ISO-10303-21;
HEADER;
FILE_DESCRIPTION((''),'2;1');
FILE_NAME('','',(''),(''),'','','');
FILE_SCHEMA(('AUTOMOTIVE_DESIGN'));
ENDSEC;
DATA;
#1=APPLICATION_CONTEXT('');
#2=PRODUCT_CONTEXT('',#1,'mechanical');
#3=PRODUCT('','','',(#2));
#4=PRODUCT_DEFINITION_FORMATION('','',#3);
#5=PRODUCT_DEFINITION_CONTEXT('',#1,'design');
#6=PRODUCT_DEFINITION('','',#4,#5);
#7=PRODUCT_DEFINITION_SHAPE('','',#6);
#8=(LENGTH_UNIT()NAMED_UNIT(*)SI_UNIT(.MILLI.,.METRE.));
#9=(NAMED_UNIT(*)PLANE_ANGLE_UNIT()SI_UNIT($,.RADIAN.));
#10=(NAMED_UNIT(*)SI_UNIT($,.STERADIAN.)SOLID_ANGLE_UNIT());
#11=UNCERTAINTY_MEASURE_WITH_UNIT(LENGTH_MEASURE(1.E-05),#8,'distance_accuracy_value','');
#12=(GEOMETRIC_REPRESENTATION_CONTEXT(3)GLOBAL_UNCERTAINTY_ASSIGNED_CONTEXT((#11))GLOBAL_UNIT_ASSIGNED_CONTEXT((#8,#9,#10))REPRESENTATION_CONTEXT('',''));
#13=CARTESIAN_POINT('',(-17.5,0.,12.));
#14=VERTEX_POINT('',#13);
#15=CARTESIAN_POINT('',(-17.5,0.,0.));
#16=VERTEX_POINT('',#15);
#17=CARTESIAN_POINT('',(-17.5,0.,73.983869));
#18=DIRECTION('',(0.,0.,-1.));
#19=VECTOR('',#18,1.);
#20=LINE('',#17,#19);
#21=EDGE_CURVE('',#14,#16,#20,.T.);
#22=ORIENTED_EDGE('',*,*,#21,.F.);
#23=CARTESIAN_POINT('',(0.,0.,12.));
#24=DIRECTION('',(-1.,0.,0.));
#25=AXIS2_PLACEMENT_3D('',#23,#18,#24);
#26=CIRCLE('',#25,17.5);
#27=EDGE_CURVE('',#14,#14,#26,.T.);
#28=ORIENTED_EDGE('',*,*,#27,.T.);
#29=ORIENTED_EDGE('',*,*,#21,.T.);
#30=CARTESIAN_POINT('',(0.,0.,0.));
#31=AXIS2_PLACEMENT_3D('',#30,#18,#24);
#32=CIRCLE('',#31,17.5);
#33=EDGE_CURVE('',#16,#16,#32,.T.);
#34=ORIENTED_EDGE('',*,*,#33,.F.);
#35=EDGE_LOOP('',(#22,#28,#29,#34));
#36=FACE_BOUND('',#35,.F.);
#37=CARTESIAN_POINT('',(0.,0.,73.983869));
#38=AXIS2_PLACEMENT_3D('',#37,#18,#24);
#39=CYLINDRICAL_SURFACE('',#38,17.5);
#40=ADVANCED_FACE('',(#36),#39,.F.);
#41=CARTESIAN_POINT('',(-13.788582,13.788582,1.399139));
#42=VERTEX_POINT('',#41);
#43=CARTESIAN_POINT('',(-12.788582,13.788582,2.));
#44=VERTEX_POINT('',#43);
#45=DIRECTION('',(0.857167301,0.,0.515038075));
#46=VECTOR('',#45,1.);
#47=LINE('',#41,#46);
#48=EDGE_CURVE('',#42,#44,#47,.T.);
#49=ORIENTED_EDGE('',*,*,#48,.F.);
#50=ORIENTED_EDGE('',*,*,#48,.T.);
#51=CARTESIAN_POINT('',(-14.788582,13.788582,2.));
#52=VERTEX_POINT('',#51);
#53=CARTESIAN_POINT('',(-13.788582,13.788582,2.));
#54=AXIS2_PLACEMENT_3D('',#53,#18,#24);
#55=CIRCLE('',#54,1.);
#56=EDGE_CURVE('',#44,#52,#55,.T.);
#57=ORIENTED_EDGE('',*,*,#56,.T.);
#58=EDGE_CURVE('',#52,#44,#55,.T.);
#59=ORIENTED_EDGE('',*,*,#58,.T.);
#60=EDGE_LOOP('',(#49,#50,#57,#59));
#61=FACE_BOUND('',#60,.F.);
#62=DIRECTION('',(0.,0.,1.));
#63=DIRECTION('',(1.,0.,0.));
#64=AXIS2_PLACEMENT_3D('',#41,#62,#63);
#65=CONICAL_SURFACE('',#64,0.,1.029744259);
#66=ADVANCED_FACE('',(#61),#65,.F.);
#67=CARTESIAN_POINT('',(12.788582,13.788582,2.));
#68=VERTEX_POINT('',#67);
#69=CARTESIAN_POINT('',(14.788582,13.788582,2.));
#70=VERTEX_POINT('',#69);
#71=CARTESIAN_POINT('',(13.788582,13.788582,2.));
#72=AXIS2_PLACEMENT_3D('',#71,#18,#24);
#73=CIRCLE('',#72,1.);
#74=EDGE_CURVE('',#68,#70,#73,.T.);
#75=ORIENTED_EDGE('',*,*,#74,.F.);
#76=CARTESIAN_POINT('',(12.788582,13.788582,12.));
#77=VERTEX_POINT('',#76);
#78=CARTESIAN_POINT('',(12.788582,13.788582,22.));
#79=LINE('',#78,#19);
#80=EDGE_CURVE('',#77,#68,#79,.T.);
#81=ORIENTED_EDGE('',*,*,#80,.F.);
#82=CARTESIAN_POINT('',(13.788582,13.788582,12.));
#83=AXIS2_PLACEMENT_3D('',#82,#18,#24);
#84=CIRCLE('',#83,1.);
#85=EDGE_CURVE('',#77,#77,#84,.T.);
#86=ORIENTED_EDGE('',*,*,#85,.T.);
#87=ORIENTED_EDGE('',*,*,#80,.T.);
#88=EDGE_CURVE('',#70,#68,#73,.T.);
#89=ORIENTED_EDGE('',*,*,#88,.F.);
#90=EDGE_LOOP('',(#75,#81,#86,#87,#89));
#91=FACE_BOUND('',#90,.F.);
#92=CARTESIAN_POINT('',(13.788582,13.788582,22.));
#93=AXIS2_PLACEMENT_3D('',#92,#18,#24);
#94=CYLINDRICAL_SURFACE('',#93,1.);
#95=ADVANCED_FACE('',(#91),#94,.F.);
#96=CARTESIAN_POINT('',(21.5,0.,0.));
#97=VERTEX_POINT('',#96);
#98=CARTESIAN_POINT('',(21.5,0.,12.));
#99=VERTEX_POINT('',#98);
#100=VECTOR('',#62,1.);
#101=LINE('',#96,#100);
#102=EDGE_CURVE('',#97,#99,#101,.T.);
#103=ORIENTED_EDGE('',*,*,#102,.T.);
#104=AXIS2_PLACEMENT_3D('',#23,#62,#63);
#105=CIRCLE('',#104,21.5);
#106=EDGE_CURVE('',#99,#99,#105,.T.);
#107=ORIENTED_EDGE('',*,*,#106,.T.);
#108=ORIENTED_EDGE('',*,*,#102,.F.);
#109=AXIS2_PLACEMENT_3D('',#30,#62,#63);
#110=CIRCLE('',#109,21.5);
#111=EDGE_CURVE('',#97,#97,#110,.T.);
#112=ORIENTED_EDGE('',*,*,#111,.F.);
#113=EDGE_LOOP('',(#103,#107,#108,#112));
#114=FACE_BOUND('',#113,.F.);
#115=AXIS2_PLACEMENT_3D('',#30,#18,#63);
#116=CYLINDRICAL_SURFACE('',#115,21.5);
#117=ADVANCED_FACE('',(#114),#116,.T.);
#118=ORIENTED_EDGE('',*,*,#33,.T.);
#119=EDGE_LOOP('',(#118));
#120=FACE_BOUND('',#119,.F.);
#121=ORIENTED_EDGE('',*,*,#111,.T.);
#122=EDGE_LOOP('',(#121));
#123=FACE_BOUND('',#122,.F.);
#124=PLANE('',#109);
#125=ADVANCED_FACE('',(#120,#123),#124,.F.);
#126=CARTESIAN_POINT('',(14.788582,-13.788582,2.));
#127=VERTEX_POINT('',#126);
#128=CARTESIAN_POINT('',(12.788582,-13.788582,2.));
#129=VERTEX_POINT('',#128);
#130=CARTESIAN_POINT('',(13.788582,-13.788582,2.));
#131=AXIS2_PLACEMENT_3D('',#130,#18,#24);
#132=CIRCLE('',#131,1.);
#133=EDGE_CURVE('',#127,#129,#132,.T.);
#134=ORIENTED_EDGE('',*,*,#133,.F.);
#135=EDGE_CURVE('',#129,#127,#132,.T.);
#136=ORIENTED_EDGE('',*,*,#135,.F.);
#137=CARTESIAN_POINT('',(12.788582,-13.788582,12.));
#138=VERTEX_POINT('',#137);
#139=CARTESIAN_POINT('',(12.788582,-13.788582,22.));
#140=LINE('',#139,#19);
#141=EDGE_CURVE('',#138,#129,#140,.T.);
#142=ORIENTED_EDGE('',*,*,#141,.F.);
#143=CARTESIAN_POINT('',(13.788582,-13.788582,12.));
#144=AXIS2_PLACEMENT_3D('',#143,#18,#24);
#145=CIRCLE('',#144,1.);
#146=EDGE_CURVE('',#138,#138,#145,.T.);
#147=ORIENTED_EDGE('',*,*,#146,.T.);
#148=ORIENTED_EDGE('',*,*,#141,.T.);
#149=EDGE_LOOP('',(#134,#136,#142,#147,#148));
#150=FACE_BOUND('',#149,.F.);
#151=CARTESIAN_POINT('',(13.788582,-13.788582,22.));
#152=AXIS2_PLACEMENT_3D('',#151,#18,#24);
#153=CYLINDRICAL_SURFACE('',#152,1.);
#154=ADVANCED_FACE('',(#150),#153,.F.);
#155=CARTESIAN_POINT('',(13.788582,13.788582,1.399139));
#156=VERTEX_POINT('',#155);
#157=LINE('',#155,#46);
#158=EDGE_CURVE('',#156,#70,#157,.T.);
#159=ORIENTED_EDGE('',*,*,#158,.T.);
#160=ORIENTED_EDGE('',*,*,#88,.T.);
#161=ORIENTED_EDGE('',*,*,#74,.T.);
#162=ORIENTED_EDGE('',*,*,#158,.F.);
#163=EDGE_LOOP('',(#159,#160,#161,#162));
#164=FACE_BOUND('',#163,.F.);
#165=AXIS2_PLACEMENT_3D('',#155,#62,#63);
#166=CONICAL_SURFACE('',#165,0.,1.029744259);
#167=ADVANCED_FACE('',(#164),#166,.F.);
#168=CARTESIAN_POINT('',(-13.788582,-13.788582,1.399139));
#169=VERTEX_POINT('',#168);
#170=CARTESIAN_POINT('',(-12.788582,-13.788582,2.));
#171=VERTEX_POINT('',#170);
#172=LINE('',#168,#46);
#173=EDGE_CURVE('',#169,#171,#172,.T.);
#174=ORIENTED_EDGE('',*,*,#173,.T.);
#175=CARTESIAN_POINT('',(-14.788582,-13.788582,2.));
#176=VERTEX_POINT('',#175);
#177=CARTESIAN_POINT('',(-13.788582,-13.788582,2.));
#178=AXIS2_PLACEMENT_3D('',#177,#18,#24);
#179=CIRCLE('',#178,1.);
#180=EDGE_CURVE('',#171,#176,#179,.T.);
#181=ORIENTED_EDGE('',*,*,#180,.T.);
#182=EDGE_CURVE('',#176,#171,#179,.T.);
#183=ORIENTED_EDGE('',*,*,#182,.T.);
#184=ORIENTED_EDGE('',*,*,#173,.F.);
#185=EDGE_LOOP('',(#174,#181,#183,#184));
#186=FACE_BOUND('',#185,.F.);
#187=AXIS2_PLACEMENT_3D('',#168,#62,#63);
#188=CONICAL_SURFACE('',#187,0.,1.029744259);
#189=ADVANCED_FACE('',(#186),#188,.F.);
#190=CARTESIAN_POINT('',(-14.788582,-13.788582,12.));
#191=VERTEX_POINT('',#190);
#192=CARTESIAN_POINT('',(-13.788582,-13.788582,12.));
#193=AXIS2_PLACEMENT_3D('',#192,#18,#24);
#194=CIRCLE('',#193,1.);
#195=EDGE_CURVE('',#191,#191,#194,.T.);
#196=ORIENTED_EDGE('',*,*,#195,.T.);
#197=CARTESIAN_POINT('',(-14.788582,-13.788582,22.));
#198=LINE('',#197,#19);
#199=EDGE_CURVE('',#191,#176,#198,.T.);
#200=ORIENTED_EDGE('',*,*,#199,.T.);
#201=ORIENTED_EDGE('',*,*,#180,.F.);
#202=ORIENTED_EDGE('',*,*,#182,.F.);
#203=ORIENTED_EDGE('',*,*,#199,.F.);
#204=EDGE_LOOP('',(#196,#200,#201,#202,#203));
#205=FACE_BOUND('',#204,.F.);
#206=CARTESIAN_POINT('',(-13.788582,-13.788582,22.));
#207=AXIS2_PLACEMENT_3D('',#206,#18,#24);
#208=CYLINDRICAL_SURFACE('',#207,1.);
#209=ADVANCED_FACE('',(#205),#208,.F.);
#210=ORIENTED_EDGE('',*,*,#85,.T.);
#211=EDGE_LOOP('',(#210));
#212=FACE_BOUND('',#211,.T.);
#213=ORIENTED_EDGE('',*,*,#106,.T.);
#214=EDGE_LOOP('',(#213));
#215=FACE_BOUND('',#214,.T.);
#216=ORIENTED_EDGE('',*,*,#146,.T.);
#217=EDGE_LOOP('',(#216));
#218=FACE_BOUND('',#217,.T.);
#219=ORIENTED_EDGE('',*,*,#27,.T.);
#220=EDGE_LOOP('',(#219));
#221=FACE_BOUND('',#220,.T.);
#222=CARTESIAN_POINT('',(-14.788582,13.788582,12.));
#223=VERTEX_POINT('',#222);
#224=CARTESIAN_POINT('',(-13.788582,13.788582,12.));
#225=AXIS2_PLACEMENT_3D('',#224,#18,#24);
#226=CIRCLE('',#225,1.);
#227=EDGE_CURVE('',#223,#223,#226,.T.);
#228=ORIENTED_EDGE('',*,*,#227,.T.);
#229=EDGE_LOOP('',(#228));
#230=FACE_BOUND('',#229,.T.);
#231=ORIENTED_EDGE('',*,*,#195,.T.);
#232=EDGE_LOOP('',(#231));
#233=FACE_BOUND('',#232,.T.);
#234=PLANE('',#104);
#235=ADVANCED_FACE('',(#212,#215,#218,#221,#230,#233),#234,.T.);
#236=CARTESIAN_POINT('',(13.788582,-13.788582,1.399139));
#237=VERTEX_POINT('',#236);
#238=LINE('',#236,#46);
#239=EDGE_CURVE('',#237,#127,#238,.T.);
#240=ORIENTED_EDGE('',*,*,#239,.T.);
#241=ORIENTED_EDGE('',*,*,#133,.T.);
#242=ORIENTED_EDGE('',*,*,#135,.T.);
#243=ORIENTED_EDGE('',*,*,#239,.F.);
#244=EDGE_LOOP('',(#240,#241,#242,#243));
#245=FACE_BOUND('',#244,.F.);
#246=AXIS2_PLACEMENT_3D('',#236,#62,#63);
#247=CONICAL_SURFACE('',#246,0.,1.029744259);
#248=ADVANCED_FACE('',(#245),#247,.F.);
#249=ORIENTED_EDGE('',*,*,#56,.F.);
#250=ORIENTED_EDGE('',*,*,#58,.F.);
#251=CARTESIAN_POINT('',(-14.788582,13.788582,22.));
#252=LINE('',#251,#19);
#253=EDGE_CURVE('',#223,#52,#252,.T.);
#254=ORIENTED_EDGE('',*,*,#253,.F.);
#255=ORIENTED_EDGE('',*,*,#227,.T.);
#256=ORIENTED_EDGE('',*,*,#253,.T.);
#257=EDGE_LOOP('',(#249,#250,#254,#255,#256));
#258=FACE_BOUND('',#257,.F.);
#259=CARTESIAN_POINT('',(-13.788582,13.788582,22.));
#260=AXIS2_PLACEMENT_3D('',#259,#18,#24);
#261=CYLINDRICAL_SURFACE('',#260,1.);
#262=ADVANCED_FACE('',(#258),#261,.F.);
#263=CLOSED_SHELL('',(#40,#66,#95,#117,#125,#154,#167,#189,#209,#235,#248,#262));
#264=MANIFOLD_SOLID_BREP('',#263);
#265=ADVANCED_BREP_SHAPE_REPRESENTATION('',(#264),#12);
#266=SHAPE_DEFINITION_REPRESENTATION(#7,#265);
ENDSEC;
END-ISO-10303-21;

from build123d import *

# Parameters (mm, degrees)
F0_R     = 21.5
F1_DEPTH = 12
F3_D     = 35
F5_D     = 2
F5_DEPTH = 10
F5_TIP   = 0.600860619


with BuildPart() as f1:
    # F0 (on Top) → F1 (new body)
    with BuildSketch(Plane.XY):
        Circle(F0_R)
    extrude(amount=F1_DEPTH)

    # F3 (through all)
    with Locations(Plane.XY.offset(12)):
        with Locations((0, 0)):
            Hole(F3_D / 2)

    # F5
    with Locations(Plane.XY.offset(12)):
        with Locations((-13.7885822331, 13.7885822331), (13.7885822331, 13.7885822331), (13.7885822331, -13.7885822331), (-13.7885822331, -13.7885822331)):
            Hole(F5_D / 2, depth=F5_DEPTH)
            with Locations((0, 0, -(F5_DEPTH + F5_TIP / 2))):  # 118° drill point
                Cone(0, F5_D / 2, F5_TIP, mode=Mode.SUBTRACT)


solid = f1.part
